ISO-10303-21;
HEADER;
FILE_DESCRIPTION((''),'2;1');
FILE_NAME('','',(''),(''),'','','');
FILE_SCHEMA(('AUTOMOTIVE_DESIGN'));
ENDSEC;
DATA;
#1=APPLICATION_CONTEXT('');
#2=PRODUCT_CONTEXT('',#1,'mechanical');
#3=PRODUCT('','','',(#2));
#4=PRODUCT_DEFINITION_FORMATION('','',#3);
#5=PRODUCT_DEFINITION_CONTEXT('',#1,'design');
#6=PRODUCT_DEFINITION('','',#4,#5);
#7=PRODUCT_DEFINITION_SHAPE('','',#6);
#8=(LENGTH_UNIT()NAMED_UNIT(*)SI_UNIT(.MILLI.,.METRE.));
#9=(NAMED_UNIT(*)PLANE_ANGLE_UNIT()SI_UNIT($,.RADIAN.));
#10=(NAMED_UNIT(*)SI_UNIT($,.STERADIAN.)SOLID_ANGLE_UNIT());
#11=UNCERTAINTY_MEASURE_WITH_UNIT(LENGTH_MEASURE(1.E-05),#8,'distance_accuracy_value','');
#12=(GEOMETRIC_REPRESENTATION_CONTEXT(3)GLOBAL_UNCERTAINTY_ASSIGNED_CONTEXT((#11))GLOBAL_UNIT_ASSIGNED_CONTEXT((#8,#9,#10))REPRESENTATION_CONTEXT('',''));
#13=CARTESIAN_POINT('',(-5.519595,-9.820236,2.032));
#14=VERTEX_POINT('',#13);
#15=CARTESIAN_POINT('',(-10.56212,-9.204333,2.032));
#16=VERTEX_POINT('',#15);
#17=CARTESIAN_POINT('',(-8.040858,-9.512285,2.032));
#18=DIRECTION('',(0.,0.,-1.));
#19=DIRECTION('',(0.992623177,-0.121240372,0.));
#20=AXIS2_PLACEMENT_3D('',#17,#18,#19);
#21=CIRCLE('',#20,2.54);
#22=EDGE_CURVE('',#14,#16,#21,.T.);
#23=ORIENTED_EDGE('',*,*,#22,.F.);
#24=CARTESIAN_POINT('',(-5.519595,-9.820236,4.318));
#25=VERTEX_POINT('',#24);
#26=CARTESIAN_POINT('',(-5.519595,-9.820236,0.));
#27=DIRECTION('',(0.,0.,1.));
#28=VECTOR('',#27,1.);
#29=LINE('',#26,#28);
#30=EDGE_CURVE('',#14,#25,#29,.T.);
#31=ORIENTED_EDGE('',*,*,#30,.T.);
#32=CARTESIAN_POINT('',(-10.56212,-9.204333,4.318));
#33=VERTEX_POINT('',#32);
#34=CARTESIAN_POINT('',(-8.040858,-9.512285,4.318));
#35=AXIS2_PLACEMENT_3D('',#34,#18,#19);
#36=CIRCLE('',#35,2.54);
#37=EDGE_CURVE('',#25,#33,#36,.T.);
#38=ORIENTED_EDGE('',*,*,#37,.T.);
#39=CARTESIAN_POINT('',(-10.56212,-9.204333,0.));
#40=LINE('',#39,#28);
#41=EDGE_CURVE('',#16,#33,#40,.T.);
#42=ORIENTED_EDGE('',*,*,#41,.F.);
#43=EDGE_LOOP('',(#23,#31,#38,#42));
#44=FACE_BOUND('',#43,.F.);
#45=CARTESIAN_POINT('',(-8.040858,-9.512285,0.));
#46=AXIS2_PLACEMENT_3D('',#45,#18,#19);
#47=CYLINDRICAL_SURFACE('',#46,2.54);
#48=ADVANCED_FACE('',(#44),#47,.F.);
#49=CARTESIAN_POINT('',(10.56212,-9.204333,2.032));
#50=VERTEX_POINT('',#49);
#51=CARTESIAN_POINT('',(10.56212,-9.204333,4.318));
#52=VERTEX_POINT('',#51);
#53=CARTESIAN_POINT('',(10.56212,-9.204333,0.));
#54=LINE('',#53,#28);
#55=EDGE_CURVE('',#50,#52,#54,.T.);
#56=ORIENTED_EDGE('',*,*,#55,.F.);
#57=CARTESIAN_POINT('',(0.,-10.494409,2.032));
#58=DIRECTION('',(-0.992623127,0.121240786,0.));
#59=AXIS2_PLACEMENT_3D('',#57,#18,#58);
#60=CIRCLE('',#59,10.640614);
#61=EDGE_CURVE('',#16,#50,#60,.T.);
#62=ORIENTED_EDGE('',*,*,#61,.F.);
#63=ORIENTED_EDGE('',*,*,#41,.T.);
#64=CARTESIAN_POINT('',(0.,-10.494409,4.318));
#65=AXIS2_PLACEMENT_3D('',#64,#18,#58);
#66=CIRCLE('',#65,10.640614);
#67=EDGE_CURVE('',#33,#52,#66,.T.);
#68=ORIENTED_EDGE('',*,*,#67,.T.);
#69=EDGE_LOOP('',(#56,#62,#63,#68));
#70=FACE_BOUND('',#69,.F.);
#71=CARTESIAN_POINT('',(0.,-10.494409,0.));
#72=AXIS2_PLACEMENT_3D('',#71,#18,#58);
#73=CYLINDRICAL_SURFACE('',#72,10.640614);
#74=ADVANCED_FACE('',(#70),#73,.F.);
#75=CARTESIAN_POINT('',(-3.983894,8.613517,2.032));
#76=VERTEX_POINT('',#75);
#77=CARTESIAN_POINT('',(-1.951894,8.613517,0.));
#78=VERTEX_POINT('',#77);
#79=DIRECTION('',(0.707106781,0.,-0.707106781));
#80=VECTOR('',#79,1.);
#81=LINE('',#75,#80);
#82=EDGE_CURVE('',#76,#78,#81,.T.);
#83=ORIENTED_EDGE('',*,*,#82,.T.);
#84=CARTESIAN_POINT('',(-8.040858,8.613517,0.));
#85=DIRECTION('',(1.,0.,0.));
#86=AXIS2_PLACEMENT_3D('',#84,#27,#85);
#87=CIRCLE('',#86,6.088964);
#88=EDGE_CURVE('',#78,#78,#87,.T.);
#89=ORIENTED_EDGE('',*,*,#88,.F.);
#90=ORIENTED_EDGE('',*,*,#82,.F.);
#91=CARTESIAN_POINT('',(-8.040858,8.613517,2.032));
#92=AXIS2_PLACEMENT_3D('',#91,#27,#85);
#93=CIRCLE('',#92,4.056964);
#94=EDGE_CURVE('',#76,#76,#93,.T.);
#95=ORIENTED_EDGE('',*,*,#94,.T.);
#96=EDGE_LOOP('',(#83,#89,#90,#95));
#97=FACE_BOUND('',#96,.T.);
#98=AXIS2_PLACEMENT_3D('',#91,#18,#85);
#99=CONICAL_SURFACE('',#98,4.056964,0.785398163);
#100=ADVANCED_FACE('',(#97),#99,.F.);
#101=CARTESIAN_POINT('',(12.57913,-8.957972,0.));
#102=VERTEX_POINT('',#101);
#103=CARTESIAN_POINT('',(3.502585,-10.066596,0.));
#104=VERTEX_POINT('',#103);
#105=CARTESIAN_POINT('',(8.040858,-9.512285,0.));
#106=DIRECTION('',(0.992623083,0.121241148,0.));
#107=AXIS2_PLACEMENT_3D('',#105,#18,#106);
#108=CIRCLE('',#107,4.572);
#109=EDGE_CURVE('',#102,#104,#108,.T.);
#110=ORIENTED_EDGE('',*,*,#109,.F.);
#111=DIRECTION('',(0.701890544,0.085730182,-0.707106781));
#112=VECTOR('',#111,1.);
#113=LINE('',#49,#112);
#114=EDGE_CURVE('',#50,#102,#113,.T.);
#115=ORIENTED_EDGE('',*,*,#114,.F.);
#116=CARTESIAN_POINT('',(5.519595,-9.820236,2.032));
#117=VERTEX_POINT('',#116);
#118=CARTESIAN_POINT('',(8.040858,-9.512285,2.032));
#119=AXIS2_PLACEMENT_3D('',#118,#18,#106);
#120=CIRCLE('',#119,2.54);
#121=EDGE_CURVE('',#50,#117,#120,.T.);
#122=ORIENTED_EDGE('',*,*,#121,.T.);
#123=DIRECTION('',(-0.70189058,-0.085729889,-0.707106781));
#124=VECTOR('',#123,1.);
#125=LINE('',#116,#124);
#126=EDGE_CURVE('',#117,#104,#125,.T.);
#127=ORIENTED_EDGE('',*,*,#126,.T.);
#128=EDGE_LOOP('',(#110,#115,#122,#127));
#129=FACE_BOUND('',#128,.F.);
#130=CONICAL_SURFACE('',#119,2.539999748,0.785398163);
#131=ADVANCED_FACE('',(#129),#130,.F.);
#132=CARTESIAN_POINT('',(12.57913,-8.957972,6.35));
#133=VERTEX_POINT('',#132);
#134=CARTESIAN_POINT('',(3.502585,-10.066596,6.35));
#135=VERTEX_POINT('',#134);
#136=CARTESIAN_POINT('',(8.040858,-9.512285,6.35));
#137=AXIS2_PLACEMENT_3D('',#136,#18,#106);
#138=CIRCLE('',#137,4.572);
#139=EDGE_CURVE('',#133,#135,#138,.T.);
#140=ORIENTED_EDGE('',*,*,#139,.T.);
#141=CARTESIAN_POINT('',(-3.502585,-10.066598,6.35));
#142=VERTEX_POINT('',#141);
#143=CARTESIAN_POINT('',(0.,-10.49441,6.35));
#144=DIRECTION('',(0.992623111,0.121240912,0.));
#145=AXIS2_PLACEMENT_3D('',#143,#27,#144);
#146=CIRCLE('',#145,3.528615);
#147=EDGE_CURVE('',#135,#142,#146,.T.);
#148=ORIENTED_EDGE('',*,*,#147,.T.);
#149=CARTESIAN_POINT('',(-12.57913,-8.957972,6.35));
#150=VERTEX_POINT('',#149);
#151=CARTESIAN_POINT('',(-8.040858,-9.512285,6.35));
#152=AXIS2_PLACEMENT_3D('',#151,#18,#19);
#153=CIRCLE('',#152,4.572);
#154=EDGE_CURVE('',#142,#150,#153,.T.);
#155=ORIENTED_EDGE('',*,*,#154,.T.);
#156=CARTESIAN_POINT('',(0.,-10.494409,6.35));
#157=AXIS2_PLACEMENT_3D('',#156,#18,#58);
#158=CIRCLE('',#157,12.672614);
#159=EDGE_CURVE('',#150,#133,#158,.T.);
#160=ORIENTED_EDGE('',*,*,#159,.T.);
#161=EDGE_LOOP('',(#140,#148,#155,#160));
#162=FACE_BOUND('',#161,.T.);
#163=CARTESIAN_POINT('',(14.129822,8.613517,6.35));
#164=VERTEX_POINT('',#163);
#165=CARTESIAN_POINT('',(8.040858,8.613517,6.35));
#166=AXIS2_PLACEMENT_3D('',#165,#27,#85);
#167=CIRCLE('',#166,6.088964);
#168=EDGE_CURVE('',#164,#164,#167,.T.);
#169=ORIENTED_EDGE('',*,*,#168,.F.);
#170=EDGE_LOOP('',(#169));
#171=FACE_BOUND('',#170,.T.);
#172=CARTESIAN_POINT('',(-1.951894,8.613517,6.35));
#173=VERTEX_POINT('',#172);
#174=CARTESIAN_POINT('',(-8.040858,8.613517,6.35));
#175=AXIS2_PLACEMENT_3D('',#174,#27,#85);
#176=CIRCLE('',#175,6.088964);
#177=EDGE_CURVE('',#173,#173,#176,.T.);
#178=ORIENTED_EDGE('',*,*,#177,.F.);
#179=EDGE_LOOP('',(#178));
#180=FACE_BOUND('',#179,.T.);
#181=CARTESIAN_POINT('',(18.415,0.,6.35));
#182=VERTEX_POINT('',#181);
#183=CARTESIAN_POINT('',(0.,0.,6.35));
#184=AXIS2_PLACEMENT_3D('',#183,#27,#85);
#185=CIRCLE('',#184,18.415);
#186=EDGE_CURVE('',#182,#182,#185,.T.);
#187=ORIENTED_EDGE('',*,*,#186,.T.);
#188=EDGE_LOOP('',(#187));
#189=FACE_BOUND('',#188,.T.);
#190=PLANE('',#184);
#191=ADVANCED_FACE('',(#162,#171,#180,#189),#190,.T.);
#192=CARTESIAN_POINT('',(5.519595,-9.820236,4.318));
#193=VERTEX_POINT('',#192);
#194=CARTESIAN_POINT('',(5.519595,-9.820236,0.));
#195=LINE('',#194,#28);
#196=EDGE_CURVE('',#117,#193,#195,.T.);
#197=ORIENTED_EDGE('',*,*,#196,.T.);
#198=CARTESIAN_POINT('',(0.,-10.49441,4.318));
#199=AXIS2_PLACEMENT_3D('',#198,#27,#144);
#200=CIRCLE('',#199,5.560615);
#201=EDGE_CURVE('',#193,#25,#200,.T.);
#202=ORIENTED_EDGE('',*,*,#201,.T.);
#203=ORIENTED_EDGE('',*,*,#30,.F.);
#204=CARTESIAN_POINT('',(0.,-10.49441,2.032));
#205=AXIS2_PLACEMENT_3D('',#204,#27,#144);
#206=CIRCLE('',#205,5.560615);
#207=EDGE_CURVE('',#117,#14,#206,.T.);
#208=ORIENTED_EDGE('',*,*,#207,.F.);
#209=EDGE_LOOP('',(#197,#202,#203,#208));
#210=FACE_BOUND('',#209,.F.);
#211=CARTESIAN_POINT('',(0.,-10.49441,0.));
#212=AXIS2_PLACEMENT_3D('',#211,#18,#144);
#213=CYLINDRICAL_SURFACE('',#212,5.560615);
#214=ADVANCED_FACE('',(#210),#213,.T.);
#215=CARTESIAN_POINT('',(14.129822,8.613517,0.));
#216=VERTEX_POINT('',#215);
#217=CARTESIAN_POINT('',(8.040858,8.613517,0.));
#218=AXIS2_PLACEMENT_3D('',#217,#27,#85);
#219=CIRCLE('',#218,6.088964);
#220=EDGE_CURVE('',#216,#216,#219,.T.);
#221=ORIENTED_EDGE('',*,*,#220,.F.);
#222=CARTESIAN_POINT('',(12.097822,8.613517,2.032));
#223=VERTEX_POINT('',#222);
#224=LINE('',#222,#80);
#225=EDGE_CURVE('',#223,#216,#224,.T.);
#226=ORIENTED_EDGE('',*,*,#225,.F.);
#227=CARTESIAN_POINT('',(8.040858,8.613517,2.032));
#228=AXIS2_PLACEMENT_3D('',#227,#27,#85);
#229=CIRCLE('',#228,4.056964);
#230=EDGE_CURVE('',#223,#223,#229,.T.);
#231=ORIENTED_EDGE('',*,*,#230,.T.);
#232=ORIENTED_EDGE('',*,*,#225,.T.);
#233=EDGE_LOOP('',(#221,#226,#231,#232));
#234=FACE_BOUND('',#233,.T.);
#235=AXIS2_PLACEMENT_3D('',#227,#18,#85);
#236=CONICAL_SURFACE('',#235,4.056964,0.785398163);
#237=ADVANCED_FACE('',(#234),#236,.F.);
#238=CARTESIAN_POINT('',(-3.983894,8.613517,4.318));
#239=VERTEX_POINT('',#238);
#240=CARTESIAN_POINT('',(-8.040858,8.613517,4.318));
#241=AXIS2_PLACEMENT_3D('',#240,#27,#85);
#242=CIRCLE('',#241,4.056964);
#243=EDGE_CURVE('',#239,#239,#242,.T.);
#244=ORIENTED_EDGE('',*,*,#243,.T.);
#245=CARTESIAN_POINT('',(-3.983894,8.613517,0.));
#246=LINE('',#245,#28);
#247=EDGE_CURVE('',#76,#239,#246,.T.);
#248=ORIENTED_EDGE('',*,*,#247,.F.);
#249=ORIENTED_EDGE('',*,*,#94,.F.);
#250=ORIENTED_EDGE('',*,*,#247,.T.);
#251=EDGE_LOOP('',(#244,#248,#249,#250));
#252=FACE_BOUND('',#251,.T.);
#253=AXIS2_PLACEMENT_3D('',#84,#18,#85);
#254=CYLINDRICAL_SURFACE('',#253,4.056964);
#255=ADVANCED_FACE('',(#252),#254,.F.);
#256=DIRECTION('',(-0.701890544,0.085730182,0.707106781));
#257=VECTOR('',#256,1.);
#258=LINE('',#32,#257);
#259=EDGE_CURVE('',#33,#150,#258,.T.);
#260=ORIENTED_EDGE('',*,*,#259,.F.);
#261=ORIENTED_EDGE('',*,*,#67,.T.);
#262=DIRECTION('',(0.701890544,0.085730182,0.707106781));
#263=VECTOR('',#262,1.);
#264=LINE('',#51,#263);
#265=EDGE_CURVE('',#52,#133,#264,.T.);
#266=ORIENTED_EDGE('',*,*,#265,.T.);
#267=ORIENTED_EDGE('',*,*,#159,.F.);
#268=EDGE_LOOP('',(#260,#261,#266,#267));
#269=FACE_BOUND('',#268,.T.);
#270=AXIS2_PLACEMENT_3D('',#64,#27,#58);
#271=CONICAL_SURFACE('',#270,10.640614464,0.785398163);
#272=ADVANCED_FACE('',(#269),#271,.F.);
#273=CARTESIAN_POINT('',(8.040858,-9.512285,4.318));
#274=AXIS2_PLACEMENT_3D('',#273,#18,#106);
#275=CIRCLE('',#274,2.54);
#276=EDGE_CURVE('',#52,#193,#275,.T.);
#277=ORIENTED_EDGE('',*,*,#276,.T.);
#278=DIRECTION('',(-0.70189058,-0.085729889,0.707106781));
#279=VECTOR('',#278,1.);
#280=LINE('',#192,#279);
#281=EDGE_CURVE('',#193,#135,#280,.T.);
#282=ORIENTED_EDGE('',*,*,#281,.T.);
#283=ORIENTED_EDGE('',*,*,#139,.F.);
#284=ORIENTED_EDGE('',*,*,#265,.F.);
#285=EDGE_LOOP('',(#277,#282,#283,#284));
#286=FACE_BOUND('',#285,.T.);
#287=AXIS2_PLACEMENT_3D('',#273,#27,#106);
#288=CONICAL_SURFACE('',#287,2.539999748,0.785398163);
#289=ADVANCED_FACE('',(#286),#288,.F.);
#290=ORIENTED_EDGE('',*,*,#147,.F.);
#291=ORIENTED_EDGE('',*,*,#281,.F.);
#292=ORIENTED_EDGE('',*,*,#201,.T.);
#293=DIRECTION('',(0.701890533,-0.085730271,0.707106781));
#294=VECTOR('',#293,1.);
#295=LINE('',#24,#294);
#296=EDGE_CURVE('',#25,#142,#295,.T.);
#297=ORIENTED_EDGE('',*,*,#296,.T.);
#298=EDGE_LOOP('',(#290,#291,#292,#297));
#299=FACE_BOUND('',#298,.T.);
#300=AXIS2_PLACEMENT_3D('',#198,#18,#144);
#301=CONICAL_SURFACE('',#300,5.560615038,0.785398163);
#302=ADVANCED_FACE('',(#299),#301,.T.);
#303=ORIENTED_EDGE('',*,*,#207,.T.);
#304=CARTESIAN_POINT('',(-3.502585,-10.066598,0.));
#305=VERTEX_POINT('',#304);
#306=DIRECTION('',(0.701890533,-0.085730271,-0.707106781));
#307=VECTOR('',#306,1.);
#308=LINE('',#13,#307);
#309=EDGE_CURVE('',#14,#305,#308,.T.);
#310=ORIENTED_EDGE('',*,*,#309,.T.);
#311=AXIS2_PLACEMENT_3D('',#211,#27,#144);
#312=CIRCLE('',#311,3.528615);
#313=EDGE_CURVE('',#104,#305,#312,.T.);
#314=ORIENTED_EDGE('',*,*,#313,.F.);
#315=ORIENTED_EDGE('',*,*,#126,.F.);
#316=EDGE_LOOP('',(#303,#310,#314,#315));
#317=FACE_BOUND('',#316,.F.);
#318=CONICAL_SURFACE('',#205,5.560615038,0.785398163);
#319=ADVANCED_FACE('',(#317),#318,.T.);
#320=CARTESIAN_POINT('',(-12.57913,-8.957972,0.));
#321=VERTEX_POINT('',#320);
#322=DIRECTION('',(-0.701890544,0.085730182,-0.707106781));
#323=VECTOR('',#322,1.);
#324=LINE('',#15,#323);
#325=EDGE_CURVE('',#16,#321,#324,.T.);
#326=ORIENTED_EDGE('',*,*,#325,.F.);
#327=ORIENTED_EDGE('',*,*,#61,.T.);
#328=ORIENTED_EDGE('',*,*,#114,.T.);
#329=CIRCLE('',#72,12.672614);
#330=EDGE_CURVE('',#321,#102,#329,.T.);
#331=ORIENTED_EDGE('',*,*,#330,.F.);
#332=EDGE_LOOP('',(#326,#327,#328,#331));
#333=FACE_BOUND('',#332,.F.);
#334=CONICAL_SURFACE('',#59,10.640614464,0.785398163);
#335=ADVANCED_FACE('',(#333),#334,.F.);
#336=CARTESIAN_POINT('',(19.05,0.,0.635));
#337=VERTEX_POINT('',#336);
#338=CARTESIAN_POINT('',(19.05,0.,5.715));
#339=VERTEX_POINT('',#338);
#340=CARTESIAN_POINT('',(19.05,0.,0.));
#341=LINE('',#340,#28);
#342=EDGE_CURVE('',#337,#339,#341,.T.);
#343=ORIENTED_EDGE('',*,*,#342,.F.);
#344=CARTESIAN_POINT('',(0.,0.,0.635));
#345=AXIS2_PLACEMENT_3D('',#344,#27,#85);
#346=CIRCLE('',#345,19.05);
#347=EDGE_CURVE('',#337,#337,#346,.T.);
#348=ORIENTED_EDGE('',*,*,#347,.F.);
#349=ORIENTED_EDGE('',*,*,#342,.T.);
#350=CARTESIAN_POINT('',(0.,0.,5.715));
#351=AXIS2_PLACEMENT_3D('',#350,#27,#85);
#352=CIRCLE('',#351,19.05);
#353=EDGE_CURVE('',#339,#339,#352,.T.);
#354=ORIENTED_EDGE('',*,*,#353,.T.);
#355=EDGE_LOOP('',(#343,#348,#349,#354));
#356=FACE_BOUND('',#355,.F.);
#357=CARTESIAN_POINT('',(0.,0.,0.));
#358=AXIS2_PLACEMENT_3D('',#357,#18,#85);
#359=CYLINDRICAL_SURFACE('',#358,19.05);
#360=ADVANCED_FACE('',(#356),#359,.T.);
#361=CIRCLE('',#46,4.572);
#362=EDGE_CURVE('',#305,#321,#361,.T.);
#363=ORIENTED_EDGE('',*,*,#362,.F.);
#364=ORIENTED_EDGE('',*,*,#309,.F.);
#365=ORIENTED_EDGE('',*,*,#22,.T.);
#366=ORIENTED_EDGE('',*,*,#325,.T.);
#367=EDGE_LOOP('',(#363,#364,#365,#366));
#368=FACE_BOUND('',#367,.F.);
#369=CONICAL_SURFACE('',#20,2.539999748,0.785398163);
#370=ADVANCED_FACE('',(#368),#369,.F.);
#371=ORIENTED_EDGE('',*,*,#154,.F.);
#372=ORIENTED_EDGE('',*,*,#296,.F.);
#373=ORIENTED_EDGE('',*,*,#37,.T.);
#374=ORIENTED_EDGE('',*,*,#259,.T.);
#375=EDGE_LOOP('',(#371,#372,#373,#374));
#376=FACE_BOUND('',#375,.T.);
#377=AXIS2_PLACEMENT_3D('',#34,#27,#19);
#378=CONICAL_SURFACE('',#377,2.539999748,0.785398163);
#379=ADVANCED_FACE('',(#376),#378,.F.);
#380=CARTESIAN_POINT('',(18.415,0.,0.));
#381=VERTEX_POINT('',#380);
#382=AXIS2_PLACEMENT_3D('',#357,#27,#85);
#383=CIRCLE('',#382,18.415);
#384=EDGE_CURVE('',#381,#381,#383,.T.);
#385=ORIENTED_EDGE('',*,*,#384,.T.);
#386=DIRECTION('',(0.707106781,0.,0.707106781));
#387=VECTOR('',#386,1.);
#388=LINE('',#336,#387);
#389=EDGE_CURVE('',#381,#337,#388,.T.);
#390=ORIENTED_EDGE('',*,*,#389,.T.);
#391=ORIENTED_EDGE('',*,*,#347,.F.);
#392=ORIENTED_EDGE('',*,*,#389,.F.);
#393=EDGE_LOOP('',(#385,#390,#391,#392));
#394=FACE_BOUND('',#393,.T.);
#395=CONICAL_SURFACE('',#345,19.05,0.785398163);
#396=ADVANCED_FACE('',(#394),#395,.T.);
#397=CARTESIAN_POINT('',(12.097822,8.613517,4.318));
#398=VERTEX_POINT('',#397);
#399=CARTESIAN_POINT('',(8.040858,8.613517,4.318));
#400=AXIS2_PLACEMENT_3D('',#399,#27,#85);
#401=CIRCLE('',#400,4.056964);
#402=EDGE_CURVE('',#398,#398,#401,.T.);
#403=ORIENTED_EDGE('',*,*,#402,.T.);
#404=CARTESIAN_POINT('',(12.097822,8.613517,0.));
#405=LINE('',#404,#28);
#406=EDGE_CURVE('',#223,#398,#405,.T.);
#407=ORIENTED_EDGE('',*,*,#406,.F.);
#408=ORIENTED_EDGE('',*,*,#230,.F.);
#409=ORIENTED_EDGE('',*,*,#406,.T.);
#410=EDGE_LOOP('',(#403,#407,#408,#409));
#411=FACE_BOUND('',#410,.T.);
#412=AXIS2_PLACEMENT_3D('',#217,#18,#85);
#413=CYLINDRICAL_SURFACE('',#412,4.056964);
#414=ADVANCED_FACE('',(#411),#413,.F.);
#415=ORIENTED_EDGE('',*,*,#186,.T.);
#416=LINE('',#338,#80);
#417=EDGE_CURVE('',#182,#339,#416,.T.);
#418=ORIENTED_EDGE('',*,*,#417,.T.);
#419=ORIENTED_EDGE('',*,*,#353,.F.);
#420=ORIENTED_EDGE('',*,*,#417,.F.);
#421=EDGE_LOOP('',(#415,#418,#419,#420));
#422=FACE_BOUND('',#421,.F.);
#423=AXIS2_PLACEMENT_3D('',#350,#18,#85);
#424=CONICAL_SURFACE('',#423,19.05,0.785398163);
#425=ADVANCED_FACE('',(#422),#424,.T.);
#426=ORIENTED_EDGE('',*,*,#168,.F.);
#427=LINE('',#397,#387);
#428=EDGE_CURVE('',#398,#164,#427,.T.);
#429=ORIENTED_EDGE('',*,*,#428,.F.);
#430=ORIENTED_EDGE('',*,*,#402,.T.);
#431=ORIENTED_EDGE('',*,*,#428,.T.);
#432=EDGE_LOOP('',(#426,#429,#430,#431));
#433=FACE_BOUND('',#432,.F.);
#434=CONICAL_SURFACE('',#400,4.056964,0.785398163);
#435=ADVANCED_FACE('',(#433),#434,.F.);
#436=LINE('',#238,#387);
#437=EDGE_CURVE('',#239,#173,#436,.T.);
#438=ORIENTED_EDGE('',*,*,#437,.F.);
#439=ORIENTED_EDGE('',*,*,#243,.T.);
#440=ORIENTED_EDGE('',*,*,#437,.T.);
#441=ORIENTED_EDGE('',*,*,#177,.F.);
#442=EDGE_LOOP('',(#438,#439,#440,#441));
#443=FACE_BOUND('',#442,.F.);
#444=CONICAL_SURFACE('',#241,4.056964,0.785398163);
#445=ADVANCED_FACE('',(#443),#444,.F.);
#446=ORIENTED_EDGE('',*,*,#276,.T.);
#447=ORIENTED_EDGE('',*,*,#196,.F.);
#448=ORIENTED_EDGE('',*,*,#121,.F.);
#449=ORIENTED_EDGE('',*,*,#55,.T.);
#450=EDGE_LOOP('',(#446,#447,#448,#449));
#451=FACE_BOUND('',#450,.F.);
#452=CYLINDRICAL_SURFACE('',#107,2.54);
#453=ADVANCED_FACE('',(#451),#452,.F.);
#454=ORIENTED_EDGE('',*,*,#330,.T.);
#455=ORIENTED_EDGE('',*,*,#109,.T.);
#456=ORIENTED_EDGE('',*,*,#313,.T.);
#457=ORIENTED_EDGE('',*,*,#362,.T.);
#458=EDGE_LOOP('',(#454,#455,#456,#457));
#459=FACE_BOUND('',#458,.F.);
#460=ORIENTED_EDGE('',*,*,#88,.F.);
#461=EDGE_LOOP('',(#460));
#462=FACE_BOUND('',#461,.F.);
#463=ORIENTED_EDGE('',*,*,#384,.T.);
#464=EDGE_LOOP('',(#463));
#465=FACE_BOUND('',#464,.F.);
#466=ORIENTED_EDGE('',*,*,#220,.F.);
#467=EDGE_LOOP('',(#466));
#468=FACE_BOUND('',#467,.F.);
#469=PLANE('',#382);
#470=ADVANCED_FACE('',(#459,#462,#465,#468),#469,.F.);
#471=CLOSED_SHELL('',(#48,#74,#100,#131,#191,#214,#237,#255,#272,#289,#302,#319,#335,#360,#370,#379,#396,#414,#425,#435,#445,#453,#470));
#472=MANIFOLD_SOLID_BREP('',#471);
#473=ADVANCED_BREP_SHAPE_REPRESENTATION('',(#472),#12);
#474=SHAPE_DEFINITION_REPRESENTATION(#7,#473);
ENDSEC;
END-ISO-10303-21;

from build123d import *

# Parameters (mm, degrees)
F0_R     = 19.05
F0_R_2   = 4.056964
F1_DEPTH = 6.35
F2_SIZE  = 2.032
F3_SIZE  = 0.635


with BuildPart() as f1:
    # F0 (on Top) → F1 (new body)
    with BuildSketch(Plane.XY):
        Circle(F0_R)
        with BuildLine():
            ThreePointArc((-10.56212, -9.204333), (0, 0.146205), (10.56212, -9.204333))
            ThreePointArc((10.56212, -9.204333), (8.348809, -12.033548), (5.519595, -9.820236))
            ThreePointArc((5.519595, -9.820236), (0, -4.933795), (-5.519595, -9.820236))
            ThreePointArc((-5.519595, -9.820236), (-8.348809, -12.033548), (-10.56212, -9.204333))
        make_face(mode=Mode.SUBTRACT)
        with Locations((-8.040858, 8.613517)):
            Circle(F0_R_2, mode=Mode.SUBTRACT)
        with Locations((8.040858, 8.613517)):
            Circle(F0_R_2, mode=Mode.SUBTRACT)
    extrude(amount=F1_DEPTH)

    # F2
    f2_edges = [f1.edges().sort_by_distance(p)[0] for p in [
        (0, 0.146205, 6.35),
        (0, 0.146205, 0),
        (0, -4.933795, 6.35),
        (8.348809, -12.033548, 6.35),
        (-8.348809, -12.033548, 6.35),
        (8.348809, -12.033548, 0),
        (0, -4.933795, 0),
        (-8.348809, -12.033548, 0),
        (3.983894, 8.613517, 6.35),
        (3.983894, 8.613517, 0),
        (-12.097821, 8.613517, 0),
        (-12.097821, 8.613517, 6.35),
    ]]
    chamfer(f2_edges, length=F2_SIZE)

    # F3
    f3_edges = [f1.edges().sort_by_distance(p)[0] for p in [
        (-19.05, 0, 6.35),
        (-19.05, 0, 0),
    ]]
    chamfer(f3_edges, length=F3_SIZE)


solid = f1.part
